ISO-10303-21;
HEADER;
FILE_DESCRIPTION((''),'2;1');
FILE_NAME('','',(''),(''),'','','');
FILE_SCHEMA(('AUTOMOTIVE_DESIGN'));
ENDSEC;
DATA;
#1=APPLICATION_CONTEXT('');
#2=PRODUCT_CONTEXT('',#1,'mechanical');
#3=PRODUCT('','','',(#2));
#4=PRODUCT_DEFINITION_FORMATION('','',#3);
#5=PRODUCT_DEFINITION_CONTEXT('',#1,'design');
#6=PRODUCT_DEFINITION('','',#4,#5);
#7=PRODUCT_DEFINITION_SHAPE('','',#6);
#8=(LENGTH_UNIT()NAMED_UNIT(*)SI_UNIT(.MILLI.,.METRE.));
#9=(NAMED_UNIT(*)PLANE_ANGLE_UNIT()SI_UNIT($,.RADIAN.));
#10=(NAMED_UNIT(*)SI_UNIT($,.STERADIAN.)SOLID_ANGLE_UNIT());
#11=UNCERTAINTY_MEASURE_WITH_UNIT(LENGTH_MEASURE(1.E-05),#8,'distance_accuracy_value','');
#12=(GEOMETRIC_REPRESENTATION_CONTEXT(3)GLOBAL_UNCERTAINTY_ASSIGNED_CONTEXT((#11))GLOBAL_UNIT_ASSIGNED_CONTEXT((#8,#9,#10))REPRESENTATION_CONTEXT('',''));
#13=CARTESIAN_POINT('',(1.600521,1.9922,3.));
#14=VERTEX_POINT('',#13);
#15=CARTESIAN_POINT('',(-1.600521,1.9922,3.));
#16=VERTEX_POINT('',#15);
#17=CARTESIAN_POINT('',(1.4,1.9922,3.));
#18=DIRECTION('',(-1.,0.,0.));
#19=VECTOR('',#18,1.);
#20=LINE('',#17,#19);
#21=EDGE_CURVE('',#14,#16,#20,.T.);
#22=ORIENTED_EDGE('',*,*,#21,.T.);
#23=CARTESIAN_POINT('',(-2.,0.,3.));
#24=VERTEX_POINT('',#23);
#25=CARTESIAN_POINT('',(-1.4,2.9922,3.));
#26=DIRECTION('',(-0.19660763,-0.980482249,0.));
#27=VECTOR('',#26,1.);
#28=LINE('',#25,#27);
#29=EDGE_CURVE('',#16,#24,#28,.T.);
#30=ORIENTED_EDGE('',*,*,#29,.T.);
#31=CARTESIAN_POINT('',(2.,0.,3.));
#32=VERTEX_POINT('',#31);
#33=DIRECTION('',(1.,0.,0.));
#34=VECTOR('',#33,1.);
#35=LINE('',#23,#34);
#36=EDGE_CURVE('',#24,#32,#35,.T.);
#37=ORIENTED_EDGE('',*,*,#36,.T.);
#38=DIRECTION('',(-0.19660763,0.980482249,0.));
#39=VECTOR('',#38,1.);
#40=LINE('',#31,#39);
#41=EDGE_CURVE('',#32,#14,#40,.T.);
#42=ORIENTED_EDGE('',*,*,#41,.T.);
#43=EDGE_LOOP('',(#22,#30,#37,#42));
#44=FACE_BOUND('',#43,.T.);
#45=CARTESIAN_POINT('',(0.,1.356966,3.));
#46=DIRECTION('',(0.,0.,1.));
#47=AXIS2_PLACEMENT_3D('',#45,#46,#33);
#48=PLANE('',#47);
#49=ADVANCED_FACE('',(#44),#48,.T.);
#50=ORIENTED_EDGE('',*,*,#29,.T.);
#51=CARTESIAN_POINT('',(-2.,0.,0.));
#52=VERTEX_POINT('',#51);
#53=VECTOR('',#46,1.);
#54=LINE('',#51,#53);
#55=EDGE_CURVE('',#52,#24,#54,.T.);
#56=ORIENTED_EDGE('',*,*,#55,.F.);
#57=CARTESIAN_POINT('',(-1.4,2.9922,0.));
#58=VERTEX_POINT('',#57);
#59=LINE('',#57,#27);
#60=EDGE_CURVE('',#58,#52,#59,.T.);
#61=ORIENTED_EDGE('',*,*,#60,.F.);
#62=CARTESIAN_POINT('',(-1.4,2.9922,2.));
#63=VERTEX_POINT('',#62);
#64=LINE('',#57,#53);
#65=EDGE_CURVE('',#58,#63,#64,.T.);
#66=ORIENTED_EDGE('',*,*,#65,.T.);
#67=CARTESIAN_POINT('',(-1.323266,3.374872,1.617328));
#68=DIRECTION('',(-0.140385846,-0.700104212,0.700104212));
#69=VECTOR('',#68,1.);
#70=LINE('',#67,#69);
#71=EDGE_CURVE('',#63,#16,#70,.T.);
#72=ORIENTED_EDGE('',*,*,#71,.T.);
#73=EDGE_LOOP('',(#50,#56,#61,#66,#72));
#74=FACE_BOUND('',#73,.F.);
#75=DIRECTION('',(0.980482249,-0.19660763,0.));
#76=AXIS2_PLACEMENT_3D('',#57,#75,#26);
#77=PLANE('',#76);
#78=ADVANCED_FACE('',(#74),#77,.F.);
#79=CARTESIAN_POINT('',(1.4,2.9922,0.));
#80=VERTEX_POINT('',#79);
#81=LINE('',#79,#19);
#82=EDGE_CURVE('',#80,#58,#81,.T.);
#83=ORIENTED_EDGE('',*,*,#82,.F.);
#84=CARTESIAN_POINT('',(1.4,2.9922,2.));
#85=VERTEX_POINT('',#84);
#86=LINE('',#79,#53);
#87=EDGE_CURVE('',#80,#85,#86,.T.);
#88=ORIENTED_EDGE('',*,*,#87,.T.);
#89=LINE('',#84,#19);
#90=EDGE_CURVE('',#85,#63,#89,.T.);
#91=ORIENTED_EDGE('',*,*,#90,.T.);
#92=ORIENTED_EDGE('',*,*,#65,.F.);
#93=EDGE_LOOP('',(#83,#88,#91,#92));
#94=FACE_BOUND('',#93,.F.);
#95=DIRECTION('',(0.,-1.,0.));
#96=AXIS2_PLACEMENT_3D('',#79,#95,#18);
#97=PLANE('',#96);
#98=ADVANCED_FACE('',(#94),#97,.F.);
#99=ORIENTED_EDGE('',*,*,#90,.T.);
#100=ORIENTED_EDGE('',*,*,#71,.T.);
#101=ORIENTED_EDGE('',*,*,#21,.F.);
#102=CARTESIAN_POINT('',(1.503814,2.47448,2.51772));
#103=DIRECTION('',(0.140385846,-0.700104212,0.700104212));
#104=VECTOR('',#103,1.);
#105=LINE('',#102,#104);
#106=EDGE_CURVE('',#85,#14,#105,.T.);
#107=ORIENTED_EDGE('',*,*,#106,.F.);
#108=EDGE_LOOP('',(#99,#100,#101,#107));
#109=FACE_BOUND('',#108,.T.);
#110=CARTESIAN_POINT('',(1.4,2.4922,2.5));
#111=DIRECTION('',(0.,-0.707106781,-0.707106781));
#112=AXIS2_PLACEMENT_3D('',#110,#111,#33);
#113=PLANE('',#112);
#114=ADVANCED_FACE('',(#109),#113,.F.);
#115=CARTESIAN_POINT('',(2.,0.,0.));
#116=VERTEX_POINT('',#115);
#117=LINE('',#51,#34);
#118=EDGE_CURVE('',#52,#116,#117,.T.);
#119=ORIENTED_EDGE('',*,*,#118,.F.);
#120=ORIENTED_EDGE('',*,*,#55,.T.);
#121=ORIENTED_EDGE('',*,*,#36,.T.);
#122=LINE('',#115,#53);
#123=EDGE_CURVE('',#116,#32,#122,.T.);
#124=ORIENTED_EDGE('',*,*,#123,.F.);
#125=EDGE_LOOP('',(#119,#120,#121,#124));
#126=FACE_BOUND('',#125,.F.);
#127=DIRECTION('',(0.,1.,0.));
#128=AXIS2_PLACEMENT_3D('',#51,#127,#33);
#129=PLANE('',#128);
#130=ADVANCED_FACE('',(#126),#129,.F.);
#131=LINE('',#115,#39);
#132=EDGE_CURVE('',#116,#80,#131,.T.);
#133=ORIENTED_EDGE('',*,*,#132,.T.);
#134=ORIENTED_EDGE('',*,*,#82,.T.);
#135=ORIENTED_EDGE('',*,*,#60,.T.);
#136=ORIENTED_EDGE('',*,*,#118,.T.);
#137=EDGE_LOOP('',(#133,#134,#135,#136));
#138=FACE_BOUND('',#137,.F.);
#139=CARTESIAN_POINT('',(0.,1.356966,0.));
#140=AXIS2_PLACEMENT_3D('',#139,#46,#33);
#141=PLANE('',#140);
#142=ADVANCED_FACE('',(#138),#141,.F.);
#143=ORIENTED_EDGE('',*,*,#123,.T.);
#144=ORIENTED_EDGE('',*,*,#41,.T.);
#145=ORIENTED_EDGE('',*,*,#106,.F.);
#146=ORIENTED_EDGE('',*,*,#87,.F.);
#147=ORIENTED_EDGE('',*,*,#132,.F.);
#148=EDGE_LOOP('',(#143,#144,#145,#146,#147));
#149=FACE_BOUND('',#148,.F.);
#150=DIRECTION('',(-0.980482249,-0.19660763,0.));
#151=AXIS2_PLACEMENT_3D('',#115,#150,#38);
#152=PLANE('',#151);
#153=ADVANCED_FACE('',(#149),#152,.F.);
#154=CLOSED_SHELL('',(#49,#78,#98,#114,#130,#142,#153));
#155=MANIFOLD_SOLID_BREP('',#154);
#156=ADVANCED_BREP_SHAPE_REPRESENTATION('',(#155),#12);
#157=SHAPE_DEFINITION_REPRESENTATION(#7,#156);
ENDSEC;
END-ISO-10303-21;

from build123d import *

# Parameters (mm, degrees)
PAD_DEPTH    = 3
CHAMFER_SIZE = 1


with BuildPart() as part:
    # Sketch → Pad (new body)
    with BuildSketch(Plane.XY):
        Polygon((0, 0), (2, 0), (1.4, 2.9922), (0, 2.9922), (-1.4, 2.9922), (-2, 0), align=None)
    extrude(amount=PAD_DEPTH)

    # Chamfer
    chamfer_edges = [part.edges().sort_by_distance(p)[0] for p in [
        (-0.7, 2.9922, 3),
        (0.7, 2.9922, 3),
    ]]
    chamfer(chamfer_edges, length=CHAMFER_SIZE)


solid = part.part
